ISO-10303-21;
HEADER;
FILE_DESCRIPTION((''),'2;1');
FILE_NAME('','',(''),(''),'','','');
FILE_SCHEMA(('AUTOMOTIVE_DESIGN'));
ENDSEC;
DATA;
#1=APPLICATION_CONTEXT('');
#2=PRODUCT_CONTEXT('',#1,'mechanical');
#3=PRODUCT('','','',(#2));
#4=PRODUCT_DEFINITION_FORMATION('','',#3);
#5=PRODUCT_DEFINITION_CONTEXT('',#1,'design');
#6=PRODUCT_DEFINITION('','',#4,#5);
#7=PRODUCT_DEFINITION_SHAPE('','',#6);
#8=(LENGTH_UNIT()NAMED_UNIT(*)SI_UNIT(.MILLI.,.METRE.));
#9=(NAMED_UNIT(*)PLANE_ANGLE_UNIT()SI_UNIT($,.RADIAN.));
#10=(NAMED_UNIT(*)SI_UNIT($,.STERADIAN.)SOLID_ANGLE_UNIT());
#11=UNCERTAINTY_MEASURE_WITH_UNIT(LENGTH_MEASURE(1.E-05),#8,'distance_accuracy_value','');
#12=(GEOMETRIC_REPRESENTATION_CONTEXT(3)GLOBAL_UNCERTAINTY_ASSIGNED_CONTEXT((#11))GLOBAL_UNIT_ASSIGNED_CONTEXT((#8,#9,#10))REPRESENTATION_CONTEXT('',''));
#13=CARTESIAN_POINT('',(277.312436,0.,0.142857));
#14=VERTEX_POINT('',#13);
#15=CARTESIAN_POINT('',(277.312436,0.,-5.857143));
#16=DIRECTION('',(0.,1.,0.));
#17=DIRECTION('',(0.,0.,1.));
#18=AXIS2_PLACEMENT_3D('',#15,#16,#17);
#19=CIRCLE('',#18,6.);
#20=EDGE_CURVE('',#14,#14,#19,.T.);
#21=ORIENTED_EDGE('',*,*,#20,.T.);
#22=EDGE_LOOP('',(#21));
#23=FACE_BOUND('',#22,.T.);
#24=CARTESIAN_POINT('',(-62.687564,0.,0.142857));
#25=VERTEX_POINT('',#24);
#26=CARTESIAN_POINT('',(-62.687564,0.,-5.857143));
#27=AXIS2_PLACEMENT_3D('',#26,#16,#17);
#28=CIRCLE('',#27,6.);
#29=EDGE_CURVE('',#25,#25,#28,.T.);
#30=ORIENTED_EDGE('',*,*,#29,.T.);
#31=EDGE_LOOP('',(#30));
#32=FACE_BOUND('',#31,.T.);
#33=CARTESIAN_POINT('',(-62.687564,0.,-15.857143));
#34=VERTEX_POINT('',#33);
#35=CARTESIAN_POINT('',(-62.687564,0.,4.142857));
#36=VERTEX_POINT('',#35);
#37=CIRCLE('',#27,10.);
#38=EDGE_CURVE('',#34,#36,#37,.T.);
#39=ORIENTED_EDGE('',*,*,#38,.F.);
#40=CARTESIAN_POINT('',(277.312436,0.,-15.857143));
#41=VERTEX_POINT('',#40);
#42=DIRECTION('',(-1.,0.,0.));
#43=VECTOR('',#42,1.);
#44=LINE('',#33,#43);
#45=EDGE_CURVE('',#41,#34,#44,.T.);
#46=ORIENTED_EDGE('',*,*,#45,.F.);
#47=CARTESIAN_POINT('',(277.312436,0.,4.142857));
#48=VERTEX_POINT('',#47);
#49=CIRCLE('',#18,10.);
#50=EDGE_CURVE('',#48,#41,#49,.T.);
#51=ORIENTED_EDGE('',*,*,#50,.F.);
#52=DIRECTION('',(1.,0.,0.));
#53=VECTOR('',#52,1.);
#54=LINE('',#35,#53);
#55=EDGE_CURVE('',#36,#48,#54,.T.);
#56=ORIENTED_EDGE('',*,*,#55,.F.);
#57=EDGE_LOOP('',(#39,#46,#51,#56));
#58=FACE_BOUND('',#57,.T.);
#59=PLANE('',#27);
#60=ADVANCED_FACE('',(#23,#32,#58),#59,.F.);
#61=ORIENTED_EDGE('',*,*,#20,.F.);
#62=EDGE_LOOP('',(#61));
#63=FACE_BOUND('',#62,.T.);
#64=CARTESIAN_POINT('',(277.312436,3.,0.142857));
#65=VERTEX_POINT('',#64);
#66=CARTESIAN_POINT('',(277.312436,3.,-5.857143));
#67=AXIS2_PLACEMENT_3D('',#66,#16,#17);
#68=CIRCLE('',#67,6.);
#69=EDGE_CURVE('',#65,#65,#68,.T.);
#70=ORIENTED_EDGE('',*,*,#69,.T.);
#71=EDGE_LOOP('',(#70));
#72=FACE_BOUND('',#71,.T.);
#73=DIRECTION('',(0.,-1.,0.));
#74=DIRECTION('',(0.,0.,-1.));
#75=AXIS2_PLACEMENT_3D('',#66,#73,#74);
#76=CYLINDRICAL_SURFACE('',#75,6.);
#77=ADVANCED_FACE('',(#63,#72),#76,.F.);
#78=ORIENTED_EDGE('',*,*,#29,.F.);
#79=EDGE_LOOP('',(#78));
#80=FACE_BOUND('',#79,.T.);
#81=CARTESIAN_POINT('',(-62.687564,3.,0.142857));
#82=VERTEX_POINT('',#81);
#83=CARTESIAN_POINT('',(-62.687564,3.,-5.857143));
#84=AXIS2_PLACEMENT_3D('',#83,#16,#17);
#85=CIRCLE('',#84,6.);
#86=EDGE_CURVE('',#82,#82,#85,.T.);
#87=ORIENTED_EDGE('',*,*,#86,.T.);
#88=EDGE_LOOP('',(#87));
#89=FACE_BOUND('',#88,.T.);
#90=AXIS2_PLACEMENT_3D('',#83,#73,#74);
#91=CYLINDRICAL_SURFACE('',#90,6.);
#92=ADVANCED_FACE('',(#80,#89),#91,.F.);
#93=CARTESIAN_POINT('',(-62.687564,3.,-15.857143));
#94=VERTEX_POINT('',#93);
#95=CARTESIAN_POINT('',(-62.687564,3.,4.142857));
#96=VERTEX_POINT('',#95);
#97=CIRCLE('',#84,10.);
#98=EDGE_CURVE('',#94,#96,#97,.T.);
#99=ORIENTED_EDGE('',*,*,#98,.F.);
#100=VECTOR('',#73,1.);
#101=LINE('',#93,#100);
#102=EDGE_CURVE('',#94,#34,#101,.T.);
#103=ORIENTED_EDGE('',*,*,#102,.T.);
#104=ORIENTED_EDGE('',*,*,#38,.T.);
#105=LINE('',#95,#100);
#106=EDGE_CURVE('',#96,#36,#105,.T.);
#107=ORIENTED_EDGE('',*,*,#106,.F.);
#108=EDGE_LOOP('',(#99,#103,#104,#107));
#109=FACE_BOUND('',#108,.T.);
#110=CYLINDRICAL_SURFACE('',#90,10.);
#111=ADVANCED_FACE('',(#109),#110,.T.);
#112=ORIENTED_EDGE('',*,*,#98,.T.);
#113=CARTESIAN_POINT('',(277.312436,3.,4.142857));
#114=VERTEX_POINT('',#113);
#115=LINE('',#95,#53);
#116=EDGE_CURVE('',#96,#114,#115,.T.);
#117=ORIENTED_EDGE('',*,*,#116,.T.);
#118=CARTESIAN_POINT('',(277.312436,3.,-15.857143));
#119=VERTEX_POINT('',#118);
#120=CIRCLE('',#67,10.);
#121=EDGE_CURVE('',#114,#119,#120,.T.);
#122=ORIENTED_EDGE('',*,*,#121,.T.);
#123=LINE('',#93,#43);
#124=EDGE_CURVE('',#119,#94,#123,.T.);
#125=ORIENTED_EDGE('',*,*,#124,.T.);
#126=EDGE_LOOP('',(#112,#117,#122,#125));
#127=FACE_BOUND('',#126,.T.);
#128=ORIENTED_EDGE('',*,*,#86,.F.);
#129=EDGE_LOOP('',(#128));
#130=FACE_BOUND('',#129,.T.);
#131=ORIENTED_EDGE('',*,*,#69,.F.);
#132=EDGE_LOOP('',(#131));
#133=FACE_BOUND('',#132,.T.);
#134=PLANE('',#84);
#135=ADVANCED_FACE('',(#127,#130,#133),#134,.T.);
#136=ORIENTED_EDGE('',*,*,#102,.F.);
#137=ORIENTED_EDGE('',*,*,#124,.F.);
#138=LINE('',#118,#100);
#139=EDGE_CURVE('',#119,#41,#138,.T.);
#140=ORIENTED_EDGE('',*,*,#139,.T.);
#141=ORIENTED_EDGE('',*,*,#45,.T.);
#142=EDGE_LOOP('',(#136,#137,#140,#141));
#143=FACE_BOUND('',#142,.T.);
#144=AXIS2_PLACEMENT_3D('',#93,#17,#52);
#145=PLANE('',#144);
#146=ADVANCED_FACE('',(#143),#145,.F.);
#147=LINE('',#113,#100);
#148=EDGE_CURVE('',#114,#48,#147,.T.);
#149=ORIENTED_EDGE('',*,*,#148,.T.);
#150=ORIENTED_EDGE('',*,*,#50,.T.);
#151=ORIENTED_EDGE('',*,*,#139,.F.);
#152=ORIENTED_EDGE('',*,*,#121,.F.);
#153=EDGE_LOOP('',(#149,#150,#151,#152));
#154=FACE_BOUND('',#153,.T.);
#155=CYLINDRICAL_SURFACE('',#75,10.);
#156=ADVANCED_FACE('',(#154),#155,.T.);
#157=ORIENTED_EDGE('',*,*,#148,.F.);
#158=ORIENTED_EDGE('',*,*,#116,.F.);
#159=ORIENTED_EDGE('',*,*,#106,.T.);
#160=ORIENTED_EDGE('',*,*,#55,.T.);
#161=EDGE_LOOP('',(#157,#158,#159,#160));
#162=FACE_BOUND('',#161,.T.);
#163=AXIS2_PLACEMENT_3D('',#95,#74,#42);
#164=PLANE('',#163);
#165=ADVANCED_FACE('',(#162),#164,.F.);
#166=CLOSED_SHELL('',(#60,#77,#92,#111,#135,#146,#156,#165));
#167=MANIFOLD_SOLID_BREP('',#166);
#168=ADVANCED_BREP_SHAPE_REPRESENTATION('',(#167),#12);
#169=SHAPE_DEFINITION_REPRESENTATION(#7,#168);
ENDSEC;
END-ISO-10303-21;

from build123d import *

# Parameters (mm, degrees)
SKETCH1_R           = 6
BOSS_EXTRUDE1_DEPTH = 3


with BuildPart() as part:
    # Sketch1 → Boss-Extrude1 (new body)
    with BuildSketch(Plane(origin=(0, 0, 0), x_dir=(1, 0, 0), z_dir=(0, 1, 0))):
        with BuildLine():
            Line((-62.687563754, 15.857142857), (277.312436246, 15.857142857))
            ThreePointArc((277.312436246, 15.857142857), (287.312436246, 5.857142857), (277.312436246, -4.142857143))
            Line((277.312436246, -4.142857143), (-62.687563754, -4.142857143))
            ThreePointArc((-62.687563754, -4.142857143), (-72.687563754, 5.857142857), (-62.687563754, 15.857142857))
        make_face()
        with Locations((-62.687563754, 5.857142857)):
            Circle(SKETCH1_R, mode=Mode.SUBTRACT)
        with Locations((277.312436246, 5.857142857)):
            Circle(SKETCH1_R, mode=Mode.SUBTRACT)
    extrude(amount=BOSS_EXTRUDE1_DEPTH)


solid = part.part
